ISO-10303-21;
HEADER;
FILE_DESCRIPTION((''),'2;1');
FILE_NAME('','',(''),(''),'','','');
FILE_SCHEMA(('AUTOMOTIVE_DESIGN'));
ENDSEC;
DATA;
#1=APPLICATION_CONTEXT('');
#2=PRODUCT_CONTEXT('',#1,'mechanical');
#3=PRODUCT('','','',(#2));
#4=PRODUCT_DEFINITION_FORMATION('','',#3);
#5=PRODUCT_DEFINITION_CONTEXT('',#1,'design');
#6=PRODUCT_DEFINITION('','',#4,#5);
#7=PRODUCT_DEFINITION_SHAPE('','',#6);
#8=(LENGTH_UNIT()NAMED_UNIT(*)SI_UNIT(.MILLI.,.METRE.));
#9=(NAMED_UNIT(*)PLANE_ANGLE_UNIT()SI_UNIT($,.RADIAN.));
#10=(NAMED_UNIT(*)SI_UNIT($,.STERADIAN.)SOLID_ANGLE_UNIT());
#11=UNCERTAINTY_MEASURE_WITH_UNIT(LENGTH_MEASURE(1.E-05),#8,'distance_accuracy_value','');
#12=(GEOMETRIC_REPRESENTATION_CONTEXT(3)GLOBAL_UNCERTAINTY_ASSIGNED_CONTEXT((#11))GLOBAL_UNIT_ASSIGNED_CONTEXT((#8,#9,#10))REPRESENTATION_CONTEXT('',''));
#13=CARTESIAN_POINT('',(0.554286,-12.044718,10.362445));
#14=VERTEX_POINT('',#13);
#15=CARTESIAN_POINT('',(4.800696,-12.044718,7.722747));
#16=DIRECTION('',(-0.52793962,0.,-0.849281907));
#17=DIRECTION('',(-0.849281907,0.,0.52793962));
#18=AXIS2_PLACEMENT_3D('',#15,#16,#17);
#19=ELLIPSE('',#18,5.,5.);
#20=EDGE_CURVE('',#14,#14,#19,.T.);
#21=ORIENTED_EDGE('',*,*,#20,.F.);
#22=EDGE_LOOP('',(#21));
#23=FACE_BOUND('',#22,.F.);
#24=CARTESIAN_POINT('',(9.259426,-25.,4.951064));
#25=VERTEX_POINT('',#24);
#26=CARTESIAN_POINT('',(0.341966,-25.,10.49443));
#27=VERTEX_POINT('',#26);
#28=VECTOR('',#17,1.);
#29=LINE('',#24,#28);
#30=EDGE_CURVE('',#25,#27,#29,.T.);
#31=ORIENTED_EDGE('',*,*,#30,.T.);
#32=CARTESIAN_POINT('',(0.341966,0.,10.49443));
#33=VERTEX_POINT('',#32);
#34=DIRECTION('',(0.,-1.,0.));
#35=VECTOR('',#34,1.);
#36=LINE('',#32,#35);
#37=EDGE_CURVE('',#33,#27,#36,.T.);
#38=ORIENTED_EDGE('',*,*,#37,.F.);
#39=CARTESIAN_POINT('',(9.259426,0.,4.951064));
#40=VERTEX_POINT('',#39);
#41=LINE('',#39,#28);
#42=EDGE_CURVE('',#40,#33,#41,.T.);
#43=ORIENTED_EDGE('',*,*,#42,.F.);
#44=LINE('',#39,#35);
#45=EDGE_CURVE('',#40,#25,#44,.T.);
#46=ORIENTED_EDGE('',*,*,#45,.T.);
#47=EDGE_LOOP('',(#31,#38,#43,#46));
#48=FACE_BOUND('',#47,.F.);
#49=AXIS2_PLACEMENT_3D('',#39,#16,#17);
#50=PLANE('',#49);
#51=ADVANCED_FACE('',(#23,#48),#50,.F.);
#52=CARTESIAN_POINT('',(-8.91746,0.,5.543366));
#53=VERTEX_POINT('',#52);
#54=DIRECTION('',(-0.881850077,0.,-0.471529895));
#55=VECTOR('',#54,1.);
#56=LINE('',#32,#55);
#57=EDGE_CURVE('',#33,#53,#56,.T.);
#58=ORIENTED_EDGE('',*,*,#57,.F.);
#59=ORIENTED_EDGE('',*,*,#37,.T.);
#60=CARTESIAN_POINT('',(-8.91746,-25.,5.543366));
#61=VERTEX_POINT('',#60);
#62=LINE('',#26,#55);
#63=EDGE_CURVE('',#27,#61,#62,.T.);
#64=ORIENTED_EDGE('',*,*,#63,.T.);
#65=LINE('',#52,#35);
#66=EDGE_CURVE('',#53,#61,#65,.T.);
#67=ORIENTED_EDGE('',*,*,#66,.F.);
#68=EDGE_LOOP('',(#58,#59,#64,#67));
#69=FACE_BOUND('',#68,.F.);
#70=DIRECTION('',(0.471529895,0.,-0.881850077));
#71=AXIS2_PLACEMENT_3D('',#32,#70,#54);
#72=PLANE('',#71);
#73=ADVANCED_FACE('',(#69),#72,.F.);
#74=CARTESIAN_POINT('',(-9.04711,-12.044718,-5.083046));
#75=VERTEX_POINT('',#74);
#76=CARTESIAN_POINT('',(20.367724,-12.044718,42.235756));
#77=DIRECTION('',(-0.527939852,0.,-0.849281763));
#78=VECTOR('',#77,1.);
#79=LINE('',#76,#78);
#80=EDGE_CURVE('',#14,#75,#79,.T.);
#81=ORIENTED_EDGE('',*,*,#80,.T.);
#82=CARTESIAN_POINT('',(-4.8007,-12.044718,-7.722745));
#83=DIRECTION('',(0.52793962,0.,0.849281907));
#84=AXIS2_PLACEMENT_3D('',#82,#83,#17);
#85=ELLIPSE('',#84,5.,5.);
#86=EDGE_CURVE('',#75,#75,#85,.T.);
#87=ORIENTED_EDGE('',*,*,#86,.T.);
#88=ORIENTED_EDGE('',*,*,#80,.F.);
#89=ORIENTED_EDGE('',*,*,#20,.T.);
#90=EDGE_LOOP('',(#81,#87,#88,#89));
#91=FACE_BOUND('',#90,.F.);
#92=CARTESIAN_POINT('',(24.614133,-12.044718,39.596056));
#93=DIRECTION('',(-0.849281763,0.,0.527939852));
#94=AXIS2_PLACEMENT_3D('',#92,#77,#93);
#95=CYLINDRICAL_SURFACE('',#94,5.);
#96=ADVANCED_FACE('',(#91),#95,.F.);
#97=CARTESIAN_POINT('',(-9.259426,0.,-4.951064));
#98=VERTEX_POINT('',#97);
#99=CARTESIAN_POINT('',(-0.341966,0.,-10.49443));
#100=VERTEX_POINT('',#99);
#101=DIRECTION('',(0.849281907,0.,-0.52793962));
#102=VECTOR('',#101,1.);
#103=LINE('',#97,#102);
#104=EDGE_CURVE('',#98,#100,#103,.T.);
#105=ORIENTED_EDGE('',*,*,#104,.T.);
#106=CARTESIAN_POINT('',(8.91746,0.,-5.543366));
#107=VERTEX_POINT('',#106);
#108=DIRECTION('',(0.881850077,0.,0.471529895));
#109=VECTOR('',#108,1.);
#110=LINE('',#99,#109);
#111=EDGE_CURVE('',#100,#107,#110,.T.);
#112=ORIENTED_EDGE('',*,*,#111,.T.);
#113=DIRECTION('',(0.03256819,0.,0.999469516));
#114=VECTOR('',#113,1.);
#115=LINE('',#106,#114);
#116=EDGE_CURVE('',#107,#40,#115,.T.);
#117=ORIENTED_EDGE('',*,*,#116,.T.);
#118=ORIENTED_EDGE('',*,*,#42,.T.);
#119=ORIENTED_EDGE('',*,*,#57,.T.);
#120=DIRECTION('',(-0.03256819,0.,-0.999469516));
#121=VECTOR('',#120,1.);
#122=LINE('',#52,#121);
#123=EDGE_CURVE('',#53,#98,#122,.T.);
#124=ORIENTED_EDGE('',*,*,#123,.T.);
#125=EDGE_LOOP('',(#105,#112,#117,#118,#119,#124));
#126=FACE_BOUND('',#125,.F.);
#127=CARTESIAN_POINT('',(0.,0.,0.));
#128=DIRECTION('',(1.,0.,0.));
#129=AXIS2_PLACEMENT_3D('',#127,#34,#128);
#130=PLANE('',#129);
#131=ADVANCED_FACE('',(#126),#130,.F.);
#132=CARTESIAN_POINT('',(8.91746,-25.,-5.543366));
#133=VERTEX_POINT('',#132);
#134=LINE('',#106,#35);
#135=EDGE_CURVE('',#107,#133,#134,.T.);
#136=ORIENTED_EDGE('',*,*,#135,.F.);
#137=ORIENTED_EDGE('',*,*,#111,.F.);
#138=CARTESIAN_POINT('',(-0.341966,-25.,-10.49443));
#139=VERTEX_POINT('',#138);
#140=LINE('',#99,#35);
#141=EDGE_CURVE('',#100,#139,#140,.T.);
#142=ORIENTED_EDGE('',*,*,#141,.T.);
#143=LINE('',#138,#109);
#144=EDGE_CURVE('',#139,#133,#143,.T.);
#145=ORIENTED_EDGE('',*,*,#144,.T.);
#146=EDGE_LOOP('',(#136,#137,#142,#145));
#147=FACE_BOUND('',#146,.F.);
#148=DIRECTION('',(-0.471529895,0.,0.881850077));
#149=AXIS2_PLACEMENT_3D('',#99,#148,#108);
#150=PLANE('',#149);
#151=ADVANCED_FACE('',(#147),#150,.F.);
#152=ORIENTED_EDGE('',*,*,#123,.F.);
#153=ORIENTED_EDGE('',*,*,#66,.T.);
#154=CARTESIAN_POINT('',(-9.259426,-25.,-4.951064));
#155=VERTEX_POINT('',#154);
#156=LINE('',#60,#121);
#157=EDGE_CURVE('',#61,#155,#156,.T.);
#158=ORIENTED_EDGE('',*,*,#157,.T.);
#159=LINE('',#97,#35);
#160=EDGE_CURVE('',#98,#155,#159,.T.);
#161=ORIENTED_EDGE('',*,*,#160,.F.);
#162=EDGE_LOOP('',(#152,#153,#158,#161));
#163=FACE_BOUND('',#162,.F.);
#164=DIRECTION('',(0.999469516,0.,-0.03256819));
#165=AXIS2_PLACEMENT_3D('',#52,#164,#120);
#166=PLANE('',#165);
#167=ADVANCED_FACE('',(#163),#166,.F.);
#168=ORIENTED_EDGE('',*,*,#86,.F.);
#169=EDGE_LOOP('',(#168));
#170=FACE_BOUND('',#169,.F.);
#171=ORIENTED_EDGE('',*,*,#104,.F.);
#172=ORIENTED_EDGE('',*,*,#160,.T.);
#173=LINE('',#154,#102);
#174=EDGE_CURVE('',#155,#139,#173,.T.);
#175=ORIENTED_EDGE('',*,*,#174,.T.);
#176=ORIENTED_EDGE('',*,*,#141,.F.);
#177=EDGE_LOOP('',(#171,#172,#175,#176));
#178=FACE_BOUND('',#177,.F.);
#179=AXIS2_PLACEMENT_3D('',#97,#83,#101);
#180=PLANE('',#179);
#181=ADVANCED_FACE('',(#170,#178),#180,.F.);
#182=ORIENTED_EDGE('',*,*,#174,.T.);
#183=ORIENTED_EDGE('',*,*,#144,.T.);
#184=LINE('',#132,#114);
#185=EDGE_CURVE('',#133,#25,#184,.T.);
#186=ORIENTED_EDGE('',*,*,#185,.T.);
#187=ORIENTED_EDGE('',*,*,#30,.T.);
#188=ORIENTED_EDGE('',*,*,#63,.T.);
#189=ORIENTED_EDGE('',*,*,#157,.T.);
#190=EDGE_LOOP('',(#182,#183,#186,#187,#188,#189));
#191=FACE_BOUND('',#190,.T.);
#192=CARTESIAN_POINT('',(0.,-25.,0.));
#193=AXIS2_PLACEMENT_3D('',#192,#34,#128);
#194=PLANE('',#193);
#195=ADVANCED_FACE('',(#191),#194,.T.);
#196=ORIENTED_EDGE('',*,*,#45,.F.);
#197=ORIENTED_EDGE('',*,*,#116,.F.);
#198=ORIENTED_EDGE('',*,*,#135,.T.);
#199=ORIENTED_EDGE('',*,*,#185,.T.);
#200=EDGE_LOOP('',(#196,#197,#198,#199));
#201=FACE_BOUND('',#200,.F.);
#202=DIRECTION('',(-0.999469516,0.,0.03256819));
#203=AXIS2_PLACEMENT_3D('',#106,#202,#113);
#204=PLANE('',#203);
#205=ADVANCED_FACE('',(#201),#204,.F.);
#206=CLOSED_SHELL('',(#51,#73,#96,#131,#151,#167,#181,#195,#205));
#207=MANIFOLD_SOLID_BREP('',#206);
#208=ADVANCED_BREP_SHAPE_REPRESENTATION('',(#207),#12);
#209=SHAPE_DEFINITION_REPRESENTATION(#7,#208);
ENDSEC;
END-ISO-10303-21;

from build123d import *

# Parameters (mm, degrees)
F1_DEPTH = 25
F3_D     = 10


with BuildPart() as f1:
    # F0 (on Front) → F1 (new body)
    with BuildSketch(Plane.XZ):
        Polygon((8.91746, -5.543366), (9.259426, 4.951064), (0.341966, 10.49443), (-8.91746, 5.543366), (-9.259426, -4.951064), (-0.341966, -10.49443), align=None)
    extrude(amount=F1_DEPTH)

    # F3 (through all)
    with Locations(Plane(origin=(4.800696, 0, 7.722747), x_dir=(0.849282, 0, -0.52794), z_dir=(0.52794, 0, 0.849282))):
        with Locations((0, -12.044718)):
            Hole(F3_D / 2)


solid = f1.part
